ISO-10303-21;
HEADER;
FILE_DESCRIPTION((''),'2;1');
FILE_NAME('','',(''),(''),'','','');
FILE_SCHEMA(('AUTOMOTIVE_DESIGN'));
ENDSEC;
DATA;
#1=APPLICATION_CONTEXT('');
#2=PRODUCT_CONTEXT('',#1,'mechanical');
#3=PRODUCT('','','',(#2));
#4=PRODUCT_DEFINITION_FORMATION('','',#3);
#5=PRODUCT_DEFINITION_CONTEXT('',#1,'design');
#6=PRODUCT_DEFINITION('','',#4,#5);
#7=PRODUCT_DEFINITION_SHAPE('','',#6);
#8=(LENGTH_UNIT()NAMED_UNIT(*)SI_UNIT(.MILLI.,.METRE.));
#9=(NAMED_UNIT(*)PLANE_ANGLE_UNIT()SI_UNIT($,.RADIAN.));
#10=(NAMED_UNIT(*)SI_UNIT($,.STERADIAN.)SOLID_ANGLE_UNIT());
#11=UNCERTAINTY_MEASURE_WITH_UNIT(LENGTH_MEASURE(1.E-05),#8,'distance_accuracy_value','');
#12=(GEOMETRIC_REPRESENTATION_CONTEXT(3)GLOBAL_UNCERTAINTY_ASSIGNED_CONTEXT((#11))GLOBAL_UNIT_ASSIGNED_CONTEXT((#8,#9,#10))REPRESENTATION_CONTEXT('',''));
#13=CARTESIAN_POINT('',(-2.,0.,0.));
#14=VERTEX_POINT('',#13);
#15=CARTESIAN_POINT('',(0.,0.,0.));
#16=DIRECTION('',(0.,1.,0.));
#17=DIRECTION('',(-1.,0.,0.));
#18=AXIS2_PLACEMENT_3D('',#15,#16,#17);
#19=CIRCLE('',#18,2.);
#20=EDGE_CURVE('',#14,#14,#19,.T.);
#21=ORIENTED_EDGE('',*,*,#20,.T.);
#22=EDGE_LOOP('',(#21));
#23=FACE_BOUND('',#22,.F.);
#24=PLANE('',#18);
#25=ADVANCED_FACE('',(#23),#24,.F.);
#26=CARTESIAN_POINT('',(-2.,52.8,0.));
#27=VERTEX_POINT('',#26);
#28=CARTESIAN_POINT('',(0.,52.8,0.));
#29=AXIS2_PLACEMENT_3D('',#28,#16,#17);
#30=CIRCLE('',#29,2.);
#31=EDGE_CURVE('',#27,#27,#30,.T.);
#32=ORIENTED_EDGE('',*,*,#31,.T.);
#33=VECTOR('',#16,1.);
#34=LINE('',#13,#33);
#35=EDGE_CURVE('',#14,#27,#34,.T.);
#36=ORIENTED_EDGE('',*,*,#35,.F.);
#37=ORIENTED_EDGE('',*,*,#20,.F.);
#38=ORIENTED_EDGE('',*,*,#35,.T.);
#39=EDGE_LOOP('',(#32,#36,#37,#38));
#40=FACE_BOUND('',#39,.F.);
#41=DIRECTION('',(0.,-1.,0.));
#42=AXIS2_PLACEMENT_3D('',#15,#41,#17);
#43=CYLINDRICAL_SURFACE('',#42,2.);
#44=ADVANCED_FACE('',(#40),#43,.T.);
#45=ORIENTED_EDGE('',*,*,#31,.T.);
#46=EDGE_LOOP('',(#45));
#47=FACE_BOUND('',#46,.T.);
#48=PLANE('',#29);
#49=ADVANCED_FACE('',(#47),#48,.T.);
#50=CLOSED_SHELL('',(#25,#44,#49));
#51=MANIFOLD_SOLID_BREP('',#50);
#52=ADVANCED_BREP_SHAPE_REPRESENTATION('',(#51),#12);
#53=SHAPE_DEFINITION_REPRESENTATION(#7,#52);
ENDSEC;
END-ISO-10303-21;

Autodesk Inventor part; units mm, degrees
ref_plane "YZ Plane" through (0, 0, 0) normal (1, 0, 0) x (0, 1, 0)
ref_plane "XZ Plane" through (0, 0, 0) normal (0, 1, 0) x (-1, 0, 0)
ref_plane "XY Plane" through (0, 0, 0) normal (0, 0, 1) x (1, 0, 0)
sketch "Sketch1" plane through (0, 0, 0) normal (0, 1, 0) x (-1, 0, 0)
  circle A0 centre (0, 0) radius 2
  dimension "d0" = 4
extrude "Extrusion1" add sketch "Sketch1" along normal blind 52.8
properties part number "M4 Dribbler Shaft"
